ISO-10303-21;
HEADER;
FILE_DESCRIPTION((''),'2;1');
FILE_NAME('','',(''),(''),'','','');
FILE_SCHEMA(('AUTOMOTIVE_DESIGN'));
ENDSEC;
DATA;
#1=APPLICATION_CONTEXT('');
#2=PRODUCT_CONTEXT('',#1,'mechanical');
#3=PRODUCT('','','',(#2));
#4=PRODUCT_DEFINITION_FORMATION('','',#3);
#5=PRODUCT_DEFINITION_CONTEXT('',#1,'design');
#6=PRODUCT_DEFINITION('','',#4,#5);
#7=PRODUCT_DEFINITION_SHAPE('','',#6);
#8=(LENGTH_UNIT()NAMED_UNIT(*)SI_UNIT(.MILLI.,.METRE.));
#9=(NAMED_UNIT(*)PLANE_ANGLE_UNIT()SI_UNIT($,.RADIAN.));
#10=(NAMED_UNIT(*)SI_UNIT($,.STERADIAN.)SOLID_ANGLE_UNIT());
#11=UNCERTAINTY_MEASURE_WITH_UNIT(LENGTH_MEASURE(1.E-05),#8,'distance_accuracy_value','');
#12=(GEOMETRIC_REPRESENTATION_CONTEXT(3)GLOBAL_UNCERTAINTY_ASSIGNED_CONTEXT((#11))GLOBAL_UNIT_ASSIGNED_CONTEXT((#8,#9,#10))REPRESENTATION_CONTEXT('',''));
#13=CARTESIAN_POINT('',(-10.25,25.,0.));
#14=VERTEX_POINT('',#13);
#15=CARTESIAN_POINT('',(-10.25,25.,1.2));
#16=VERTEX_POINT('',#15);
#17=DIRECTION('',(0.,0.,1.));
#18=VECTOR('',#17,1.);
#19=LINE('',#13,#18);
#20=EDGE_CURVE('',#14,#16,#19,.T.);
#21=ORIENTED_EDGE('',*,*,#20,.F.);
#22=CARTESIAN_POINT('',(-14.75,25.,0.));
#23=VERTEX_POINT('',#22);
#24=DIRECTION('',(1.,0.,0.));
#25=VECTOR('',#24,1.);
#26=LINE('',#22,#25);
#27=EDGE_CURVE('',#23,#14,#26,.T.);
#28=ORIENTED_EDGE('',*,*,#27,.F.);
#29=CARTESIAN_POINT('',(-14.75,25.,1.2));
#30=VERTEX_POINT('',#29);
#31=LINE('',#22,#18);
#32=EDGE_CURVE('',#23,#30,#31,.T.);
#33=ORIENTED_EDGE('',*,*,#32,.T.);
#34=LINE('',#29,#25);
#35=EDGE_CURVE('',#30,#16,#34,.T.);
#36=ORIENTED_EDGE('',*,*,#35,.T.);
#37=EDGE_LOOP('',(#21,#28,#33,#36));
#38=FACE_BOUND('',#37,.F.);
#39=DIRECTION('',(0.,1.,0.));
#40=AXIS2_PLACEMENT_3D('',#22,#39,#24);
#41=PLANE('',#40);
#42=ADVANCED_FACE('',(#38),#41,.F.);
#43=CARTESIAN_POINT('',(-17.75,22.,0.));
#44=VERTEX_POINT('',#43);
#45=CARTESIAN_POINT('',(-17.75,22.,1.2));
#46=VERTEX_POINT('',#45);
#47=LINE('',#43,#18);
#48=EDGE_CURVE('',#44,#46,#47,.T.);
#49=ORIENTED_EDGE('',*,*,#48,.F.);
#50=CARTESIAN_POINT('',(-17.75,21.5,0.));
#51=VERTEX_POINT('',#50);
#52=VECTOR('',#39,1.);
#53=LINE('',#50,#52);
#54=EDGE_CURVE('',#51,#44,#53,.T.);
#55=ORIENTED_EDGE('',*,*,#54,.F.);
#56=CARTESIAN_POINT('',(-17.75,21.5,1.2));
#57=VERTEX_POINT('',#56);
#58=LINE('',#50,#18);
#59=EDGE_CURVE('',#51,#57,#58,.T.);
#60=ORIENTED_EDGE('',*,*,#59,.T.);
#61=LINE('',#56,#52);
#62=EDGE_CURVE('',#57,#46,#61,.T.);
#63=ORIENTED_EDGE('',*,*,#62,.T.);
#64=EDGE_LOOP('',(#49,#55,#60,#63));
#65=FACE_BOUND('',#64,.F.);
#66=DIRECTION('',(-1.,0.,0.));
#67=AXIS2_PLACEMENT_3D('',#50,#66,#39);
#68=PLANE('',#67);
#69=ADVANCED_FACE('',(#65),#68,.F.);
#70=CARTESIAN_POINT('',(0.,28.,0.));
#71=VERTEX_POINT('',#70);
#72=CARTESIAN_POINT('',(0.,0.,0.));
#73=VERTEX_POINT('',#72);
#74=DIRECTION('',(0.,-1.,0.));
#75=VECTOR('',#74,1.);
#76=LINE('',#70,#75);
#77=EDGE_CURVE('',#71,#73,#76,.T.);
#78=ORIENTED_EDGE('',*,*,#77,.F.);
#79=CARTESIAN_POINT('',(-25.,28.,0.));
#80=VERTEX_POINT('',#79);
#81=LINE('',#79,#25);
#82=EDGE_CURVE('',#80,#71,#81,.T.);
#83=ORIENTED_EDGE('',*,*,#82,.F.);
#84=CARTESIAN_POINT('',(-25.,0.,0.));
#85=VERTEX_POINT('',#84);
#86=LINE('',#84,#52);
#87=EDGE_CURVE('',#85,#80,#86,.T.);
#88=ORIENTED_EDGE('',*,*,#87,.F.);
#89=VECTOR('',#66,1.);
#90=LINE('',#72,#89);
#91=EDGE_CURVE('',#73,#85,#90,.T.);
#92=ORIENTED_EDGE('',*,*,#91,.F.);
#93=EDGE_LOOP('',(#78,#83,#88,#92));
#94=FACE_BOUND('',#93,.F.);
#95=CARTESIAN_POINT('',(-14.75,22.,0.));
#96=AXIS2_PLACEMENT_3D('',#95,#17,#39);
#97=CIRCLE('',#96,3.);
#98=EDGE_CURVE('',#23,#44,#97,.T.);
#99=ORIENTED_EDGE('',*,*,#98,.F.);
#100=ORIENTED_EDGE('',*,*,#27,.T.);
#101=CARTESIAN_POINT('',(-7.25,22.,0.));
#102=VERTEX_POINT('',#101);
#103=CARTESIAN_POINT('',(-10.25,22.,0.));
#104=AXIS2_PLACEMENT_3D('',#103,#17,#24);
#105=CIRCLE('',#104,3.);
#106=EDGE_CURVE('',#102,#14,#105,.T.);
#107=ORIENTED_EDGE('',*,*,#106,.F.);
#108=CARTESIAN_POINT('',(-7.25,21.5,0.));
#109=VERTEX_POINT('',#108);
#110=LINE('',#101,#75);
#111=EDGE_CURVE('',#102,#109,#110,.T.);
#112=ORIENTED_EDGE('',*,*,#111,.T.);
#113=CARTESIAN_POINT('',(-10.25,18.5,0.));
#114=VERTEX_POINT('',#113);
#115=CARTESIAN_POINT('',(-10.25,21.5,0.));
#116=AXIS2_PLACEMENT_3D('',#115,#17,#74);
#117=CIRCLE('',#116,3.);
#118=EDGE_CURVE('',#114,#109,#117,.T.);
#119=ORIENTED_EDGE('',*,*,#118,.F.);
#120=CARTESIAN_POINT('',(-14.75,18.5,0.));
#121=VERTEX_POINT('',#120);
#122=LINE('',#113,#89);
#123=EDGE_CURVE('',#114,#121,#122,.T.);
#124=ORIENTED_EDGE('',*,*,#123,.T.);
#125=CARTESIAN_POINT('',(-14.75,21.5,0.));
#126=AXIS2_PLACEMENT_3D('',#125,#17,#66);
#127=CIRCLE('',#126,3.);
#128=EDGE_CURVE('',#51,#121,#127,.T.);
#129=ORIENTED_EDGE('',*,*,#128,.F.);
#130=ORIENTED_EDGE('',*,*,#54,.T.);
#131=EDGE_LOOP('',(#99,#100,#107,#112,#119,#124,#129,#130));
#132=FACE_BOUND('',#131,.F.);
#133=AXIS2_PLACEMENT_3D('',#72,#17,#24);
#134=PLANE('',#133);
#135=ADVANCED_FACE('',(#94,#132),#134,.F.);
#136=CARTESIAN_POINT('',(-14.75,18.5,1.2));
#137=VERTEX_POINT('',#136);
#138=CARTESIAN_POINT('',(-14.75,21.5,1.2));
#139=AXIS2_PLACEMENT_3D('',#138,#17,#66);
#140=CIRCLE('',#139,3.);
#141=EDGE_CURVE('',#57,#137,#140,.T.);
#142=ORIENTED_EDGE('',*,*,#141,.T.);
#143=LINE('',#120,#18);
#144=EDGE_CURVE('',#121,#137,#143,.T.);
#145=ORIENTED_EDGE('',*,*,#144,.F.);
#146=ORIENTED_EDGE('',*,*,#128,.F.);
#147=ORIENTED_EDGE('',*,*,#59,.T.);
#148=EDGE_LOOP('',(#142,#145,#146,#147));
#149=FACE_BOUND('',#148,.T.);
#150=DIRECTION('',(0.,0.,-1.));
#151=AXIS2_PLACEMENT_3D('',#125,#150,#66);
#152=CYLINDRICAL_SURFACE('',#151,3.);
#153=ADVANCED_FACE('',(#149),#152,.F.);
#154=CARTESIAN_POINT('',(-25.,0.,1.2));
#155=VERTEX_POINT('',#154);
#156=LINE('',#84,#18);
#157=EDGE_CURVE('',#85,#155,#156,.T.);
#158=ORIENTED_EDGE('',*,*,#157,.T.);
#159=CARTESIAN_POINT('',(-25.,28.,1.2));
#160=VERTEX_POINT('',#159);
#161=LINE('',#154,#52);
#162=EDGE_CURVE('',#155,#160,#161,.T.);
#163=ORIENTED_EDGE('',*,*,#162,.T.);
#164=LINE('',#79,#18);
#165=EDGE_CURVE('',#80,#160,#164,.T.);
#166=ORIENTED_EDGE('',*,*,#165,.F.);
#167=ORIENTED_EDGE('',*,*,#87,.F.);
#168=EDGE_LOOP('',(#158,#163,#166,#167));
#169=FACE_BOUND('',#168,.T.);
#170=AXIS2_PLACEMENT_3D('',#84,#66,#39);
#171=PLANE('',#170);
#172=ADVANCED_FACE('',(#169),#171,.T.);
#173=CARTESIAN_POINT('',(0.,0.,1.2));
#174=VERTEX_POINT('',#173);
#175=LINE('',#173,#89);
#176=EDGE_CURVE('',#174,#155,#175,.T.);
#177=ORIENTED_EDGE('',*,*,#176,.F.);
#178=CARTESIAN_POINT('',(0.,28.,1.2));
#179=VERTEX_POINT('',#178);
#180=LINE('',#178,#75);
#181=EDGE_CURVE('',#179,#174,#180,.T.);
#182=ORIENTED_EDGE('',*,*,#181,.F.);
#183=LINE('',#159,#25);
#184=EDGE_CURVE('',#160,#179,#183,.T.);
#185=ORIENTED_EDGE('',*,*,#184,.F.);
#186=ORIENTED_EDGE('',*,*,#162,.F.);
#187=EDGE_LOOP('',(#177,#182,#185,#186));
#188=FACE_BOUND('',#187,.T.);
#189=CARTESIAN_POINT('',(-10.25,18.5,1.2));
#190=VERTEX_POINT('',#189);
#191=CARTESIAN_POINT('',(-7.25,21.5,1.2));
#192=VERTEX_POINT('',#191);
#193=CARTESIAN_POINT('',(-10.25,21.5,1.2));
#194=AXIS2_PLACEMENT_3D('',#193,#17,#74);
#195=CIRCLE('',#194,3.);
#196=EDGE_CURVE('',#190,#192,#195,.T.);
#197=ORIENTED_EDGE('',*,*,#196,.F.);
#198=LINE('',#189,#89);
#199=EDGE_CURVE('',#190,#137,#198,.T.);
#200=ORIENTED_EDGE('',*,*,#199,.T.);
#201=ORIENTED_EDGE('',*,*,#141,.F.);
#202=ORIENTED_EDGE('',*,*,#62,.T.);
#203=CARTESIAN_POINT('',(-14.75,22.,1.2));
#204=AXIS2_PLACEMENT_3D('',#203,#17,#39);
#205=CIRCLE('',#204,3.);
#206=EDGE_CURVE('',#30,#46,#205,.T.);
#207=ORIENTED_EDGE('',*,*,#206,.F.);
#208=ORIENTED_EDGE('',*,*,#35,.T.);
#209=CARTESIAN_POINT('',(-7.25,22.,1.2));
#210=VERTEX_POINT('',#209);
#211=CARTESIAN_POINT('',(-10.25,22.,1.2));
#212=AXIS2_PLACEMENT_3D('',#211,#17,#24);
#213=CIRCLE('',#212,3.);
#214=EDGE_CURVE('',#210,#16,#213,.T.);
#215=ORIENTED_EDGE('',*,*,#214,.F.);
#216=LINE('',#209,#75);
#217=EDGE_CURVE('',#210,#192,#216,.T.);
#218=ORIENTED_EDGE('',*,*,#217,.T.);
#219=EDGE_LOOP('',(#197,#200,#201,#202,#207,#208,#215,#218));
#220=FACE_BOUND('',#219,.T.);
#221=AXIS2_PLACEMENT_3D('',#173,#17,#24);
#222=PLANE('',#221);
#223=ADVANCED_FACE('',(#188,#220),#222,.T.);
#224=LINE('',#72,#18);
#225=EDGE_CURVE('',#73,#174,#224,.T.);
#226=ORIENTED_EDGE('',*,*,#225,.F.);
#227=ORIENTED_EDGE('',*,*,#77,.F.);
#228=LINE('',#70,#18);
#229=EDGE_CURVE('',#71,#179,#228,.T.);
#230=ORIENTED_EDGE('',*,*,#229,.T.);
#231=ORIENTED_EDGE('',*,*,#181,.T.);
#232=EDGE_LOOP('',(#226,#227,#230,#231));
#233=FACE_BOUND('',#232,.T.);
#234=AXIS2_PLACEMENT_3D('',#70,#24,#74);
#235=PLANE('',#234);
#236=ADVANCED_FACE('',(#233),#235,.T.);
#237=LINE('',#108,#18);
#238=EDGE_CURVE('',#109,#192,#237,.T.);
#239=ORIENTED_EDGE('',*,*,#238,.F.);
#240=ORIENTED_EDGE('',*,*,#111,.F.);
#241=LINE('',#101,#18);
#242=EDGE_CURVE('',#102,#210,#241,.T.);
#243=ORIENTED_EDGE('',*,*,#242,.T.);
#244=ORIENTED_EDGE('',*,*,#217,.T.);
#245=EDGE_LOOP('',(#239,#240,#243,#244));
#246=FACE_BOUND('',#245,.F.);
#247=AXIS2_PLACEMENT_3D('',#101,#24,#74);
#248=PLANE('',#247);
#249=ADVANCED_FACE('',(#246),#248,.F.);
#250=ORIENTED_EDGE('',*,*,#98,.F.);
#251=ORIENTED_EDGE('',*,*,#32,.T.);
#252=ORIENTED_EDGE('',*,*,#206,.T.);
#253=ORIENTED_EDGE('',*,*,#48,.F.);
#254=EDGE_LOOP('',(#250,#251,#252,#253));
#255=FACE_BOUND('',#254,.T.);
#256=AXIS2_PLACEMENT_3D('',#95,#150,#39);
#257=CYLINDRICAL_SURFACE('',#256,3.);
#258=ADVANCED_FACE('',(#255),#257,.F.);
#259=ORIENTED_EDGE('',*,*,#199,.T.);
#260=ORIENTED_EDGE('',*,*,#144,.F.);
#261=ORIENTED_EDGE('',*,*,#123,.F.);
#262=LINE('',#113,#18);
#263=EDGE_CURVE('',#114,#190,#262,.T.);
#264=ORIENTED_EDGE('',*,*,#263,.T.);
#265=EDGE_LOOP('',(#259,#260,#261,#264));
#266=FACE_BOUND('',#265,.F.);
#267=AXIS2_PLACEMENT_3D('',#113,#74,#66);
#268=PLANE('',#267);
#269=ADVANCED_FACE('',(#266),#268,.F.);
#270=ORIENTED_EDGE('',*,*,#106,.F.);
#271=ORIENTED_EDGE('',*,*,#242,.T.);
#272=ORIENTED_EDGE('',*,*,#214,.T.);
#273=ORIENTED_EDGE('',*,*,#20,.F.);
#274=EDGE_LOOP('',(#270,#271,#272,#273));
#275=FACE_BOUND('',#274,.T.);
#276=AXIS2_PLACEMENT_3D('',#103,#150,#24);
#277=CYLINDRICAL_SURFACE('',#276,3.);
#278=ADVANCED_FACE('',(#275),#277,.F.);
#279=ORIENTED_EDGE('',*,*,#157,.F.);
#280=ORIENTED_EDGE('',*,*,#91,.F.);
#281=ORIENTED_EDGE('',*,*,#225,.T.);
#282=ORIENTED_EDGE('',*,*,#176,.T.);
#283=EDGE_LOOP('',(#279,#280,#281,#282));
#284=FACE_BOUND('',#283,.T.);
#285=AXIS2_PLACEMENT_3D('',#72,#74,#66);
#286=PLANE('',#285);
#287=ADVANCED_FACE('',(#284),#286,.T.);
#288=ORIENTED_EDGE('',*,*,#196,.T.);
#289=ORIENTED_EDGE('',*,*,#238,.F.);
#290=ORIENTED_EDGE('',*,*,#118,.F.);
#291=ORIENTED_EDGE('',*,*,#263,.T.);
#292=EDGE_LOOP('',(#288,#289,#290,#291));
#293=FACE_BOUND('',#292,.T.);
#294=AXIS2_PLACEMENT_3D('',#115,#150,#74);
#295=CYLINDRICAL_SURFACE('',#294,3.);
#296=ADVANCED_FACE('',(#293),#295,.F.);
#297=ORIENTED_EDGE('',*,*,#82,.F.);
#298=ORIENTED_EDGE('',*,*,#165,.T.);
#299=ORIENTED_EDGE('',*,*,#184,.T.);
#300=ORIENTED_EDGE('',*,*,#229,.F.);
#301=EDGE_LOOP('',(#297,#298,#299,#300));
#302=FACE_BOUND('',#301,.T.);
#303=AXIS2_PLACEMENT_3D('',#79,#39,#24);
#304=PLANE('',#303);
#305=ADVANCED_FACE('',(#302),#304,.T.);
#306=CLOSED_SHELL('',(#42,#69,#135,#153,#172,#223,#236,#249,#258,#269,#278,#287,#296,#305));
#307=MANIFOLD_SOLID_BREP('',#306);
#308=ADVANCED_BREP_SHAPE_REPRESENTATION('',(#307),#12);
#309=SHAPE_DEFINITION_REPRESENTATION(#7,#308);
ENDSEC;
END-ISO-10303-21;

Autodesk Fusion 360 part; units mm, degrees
sketch "Sketch1" plane through (0, 0, 0) normal (0, 0, 1) x (1, 0, 0)
  line L0 (0, 0) -> (-25, 0)
  line L1 (-25, 0) -> (-25, 28)
  line L2 (-25, 28) -> (0, 28)
  line L3 (0, 28) -> (0, 0)
  line L4 (-14.75, 25) -> (-10.25, 25)
  line L5 (-7.25, 22) -> (-7.25, 21.5)
  line L6 (-10.25, 18.5) -> (-14.75, 18.5)
  line L7 (-17.75, 21.5) -> (-17.75, 22)
  arc A0 (-10.25, 18.5) -> (-7.25, 21.5) centre (-10.25, 21.5) ccw
  arc A1 (-7.25, 22) -> (-10.25, 25) centre (-10.25, 22) ccw
  arc A2 (-14.75, 25) -> (-17.75, 22) centre (-14.75, 22) ccw
  arc A3 (-17.75, 21.5) -> (-14.75, 18.5) centre (-14.75, 21.5) ccw
  point P0 (-17.75, 25)
  point P1 (-17.75, 18.5)
  dimension "d1" = 25
  dimension "d2" = 28
  dimension "d3" = 6.5
  dimension "d4" = 10.5
  dimension "d5" = 3
  dimension "d6" = 7.25
  dimension "d9" = 3
  dimension "d10" = 3
  dimension "d11" = 3
extrude "Extrude1" add sketch "Sketch1" along normal blind 1.2
